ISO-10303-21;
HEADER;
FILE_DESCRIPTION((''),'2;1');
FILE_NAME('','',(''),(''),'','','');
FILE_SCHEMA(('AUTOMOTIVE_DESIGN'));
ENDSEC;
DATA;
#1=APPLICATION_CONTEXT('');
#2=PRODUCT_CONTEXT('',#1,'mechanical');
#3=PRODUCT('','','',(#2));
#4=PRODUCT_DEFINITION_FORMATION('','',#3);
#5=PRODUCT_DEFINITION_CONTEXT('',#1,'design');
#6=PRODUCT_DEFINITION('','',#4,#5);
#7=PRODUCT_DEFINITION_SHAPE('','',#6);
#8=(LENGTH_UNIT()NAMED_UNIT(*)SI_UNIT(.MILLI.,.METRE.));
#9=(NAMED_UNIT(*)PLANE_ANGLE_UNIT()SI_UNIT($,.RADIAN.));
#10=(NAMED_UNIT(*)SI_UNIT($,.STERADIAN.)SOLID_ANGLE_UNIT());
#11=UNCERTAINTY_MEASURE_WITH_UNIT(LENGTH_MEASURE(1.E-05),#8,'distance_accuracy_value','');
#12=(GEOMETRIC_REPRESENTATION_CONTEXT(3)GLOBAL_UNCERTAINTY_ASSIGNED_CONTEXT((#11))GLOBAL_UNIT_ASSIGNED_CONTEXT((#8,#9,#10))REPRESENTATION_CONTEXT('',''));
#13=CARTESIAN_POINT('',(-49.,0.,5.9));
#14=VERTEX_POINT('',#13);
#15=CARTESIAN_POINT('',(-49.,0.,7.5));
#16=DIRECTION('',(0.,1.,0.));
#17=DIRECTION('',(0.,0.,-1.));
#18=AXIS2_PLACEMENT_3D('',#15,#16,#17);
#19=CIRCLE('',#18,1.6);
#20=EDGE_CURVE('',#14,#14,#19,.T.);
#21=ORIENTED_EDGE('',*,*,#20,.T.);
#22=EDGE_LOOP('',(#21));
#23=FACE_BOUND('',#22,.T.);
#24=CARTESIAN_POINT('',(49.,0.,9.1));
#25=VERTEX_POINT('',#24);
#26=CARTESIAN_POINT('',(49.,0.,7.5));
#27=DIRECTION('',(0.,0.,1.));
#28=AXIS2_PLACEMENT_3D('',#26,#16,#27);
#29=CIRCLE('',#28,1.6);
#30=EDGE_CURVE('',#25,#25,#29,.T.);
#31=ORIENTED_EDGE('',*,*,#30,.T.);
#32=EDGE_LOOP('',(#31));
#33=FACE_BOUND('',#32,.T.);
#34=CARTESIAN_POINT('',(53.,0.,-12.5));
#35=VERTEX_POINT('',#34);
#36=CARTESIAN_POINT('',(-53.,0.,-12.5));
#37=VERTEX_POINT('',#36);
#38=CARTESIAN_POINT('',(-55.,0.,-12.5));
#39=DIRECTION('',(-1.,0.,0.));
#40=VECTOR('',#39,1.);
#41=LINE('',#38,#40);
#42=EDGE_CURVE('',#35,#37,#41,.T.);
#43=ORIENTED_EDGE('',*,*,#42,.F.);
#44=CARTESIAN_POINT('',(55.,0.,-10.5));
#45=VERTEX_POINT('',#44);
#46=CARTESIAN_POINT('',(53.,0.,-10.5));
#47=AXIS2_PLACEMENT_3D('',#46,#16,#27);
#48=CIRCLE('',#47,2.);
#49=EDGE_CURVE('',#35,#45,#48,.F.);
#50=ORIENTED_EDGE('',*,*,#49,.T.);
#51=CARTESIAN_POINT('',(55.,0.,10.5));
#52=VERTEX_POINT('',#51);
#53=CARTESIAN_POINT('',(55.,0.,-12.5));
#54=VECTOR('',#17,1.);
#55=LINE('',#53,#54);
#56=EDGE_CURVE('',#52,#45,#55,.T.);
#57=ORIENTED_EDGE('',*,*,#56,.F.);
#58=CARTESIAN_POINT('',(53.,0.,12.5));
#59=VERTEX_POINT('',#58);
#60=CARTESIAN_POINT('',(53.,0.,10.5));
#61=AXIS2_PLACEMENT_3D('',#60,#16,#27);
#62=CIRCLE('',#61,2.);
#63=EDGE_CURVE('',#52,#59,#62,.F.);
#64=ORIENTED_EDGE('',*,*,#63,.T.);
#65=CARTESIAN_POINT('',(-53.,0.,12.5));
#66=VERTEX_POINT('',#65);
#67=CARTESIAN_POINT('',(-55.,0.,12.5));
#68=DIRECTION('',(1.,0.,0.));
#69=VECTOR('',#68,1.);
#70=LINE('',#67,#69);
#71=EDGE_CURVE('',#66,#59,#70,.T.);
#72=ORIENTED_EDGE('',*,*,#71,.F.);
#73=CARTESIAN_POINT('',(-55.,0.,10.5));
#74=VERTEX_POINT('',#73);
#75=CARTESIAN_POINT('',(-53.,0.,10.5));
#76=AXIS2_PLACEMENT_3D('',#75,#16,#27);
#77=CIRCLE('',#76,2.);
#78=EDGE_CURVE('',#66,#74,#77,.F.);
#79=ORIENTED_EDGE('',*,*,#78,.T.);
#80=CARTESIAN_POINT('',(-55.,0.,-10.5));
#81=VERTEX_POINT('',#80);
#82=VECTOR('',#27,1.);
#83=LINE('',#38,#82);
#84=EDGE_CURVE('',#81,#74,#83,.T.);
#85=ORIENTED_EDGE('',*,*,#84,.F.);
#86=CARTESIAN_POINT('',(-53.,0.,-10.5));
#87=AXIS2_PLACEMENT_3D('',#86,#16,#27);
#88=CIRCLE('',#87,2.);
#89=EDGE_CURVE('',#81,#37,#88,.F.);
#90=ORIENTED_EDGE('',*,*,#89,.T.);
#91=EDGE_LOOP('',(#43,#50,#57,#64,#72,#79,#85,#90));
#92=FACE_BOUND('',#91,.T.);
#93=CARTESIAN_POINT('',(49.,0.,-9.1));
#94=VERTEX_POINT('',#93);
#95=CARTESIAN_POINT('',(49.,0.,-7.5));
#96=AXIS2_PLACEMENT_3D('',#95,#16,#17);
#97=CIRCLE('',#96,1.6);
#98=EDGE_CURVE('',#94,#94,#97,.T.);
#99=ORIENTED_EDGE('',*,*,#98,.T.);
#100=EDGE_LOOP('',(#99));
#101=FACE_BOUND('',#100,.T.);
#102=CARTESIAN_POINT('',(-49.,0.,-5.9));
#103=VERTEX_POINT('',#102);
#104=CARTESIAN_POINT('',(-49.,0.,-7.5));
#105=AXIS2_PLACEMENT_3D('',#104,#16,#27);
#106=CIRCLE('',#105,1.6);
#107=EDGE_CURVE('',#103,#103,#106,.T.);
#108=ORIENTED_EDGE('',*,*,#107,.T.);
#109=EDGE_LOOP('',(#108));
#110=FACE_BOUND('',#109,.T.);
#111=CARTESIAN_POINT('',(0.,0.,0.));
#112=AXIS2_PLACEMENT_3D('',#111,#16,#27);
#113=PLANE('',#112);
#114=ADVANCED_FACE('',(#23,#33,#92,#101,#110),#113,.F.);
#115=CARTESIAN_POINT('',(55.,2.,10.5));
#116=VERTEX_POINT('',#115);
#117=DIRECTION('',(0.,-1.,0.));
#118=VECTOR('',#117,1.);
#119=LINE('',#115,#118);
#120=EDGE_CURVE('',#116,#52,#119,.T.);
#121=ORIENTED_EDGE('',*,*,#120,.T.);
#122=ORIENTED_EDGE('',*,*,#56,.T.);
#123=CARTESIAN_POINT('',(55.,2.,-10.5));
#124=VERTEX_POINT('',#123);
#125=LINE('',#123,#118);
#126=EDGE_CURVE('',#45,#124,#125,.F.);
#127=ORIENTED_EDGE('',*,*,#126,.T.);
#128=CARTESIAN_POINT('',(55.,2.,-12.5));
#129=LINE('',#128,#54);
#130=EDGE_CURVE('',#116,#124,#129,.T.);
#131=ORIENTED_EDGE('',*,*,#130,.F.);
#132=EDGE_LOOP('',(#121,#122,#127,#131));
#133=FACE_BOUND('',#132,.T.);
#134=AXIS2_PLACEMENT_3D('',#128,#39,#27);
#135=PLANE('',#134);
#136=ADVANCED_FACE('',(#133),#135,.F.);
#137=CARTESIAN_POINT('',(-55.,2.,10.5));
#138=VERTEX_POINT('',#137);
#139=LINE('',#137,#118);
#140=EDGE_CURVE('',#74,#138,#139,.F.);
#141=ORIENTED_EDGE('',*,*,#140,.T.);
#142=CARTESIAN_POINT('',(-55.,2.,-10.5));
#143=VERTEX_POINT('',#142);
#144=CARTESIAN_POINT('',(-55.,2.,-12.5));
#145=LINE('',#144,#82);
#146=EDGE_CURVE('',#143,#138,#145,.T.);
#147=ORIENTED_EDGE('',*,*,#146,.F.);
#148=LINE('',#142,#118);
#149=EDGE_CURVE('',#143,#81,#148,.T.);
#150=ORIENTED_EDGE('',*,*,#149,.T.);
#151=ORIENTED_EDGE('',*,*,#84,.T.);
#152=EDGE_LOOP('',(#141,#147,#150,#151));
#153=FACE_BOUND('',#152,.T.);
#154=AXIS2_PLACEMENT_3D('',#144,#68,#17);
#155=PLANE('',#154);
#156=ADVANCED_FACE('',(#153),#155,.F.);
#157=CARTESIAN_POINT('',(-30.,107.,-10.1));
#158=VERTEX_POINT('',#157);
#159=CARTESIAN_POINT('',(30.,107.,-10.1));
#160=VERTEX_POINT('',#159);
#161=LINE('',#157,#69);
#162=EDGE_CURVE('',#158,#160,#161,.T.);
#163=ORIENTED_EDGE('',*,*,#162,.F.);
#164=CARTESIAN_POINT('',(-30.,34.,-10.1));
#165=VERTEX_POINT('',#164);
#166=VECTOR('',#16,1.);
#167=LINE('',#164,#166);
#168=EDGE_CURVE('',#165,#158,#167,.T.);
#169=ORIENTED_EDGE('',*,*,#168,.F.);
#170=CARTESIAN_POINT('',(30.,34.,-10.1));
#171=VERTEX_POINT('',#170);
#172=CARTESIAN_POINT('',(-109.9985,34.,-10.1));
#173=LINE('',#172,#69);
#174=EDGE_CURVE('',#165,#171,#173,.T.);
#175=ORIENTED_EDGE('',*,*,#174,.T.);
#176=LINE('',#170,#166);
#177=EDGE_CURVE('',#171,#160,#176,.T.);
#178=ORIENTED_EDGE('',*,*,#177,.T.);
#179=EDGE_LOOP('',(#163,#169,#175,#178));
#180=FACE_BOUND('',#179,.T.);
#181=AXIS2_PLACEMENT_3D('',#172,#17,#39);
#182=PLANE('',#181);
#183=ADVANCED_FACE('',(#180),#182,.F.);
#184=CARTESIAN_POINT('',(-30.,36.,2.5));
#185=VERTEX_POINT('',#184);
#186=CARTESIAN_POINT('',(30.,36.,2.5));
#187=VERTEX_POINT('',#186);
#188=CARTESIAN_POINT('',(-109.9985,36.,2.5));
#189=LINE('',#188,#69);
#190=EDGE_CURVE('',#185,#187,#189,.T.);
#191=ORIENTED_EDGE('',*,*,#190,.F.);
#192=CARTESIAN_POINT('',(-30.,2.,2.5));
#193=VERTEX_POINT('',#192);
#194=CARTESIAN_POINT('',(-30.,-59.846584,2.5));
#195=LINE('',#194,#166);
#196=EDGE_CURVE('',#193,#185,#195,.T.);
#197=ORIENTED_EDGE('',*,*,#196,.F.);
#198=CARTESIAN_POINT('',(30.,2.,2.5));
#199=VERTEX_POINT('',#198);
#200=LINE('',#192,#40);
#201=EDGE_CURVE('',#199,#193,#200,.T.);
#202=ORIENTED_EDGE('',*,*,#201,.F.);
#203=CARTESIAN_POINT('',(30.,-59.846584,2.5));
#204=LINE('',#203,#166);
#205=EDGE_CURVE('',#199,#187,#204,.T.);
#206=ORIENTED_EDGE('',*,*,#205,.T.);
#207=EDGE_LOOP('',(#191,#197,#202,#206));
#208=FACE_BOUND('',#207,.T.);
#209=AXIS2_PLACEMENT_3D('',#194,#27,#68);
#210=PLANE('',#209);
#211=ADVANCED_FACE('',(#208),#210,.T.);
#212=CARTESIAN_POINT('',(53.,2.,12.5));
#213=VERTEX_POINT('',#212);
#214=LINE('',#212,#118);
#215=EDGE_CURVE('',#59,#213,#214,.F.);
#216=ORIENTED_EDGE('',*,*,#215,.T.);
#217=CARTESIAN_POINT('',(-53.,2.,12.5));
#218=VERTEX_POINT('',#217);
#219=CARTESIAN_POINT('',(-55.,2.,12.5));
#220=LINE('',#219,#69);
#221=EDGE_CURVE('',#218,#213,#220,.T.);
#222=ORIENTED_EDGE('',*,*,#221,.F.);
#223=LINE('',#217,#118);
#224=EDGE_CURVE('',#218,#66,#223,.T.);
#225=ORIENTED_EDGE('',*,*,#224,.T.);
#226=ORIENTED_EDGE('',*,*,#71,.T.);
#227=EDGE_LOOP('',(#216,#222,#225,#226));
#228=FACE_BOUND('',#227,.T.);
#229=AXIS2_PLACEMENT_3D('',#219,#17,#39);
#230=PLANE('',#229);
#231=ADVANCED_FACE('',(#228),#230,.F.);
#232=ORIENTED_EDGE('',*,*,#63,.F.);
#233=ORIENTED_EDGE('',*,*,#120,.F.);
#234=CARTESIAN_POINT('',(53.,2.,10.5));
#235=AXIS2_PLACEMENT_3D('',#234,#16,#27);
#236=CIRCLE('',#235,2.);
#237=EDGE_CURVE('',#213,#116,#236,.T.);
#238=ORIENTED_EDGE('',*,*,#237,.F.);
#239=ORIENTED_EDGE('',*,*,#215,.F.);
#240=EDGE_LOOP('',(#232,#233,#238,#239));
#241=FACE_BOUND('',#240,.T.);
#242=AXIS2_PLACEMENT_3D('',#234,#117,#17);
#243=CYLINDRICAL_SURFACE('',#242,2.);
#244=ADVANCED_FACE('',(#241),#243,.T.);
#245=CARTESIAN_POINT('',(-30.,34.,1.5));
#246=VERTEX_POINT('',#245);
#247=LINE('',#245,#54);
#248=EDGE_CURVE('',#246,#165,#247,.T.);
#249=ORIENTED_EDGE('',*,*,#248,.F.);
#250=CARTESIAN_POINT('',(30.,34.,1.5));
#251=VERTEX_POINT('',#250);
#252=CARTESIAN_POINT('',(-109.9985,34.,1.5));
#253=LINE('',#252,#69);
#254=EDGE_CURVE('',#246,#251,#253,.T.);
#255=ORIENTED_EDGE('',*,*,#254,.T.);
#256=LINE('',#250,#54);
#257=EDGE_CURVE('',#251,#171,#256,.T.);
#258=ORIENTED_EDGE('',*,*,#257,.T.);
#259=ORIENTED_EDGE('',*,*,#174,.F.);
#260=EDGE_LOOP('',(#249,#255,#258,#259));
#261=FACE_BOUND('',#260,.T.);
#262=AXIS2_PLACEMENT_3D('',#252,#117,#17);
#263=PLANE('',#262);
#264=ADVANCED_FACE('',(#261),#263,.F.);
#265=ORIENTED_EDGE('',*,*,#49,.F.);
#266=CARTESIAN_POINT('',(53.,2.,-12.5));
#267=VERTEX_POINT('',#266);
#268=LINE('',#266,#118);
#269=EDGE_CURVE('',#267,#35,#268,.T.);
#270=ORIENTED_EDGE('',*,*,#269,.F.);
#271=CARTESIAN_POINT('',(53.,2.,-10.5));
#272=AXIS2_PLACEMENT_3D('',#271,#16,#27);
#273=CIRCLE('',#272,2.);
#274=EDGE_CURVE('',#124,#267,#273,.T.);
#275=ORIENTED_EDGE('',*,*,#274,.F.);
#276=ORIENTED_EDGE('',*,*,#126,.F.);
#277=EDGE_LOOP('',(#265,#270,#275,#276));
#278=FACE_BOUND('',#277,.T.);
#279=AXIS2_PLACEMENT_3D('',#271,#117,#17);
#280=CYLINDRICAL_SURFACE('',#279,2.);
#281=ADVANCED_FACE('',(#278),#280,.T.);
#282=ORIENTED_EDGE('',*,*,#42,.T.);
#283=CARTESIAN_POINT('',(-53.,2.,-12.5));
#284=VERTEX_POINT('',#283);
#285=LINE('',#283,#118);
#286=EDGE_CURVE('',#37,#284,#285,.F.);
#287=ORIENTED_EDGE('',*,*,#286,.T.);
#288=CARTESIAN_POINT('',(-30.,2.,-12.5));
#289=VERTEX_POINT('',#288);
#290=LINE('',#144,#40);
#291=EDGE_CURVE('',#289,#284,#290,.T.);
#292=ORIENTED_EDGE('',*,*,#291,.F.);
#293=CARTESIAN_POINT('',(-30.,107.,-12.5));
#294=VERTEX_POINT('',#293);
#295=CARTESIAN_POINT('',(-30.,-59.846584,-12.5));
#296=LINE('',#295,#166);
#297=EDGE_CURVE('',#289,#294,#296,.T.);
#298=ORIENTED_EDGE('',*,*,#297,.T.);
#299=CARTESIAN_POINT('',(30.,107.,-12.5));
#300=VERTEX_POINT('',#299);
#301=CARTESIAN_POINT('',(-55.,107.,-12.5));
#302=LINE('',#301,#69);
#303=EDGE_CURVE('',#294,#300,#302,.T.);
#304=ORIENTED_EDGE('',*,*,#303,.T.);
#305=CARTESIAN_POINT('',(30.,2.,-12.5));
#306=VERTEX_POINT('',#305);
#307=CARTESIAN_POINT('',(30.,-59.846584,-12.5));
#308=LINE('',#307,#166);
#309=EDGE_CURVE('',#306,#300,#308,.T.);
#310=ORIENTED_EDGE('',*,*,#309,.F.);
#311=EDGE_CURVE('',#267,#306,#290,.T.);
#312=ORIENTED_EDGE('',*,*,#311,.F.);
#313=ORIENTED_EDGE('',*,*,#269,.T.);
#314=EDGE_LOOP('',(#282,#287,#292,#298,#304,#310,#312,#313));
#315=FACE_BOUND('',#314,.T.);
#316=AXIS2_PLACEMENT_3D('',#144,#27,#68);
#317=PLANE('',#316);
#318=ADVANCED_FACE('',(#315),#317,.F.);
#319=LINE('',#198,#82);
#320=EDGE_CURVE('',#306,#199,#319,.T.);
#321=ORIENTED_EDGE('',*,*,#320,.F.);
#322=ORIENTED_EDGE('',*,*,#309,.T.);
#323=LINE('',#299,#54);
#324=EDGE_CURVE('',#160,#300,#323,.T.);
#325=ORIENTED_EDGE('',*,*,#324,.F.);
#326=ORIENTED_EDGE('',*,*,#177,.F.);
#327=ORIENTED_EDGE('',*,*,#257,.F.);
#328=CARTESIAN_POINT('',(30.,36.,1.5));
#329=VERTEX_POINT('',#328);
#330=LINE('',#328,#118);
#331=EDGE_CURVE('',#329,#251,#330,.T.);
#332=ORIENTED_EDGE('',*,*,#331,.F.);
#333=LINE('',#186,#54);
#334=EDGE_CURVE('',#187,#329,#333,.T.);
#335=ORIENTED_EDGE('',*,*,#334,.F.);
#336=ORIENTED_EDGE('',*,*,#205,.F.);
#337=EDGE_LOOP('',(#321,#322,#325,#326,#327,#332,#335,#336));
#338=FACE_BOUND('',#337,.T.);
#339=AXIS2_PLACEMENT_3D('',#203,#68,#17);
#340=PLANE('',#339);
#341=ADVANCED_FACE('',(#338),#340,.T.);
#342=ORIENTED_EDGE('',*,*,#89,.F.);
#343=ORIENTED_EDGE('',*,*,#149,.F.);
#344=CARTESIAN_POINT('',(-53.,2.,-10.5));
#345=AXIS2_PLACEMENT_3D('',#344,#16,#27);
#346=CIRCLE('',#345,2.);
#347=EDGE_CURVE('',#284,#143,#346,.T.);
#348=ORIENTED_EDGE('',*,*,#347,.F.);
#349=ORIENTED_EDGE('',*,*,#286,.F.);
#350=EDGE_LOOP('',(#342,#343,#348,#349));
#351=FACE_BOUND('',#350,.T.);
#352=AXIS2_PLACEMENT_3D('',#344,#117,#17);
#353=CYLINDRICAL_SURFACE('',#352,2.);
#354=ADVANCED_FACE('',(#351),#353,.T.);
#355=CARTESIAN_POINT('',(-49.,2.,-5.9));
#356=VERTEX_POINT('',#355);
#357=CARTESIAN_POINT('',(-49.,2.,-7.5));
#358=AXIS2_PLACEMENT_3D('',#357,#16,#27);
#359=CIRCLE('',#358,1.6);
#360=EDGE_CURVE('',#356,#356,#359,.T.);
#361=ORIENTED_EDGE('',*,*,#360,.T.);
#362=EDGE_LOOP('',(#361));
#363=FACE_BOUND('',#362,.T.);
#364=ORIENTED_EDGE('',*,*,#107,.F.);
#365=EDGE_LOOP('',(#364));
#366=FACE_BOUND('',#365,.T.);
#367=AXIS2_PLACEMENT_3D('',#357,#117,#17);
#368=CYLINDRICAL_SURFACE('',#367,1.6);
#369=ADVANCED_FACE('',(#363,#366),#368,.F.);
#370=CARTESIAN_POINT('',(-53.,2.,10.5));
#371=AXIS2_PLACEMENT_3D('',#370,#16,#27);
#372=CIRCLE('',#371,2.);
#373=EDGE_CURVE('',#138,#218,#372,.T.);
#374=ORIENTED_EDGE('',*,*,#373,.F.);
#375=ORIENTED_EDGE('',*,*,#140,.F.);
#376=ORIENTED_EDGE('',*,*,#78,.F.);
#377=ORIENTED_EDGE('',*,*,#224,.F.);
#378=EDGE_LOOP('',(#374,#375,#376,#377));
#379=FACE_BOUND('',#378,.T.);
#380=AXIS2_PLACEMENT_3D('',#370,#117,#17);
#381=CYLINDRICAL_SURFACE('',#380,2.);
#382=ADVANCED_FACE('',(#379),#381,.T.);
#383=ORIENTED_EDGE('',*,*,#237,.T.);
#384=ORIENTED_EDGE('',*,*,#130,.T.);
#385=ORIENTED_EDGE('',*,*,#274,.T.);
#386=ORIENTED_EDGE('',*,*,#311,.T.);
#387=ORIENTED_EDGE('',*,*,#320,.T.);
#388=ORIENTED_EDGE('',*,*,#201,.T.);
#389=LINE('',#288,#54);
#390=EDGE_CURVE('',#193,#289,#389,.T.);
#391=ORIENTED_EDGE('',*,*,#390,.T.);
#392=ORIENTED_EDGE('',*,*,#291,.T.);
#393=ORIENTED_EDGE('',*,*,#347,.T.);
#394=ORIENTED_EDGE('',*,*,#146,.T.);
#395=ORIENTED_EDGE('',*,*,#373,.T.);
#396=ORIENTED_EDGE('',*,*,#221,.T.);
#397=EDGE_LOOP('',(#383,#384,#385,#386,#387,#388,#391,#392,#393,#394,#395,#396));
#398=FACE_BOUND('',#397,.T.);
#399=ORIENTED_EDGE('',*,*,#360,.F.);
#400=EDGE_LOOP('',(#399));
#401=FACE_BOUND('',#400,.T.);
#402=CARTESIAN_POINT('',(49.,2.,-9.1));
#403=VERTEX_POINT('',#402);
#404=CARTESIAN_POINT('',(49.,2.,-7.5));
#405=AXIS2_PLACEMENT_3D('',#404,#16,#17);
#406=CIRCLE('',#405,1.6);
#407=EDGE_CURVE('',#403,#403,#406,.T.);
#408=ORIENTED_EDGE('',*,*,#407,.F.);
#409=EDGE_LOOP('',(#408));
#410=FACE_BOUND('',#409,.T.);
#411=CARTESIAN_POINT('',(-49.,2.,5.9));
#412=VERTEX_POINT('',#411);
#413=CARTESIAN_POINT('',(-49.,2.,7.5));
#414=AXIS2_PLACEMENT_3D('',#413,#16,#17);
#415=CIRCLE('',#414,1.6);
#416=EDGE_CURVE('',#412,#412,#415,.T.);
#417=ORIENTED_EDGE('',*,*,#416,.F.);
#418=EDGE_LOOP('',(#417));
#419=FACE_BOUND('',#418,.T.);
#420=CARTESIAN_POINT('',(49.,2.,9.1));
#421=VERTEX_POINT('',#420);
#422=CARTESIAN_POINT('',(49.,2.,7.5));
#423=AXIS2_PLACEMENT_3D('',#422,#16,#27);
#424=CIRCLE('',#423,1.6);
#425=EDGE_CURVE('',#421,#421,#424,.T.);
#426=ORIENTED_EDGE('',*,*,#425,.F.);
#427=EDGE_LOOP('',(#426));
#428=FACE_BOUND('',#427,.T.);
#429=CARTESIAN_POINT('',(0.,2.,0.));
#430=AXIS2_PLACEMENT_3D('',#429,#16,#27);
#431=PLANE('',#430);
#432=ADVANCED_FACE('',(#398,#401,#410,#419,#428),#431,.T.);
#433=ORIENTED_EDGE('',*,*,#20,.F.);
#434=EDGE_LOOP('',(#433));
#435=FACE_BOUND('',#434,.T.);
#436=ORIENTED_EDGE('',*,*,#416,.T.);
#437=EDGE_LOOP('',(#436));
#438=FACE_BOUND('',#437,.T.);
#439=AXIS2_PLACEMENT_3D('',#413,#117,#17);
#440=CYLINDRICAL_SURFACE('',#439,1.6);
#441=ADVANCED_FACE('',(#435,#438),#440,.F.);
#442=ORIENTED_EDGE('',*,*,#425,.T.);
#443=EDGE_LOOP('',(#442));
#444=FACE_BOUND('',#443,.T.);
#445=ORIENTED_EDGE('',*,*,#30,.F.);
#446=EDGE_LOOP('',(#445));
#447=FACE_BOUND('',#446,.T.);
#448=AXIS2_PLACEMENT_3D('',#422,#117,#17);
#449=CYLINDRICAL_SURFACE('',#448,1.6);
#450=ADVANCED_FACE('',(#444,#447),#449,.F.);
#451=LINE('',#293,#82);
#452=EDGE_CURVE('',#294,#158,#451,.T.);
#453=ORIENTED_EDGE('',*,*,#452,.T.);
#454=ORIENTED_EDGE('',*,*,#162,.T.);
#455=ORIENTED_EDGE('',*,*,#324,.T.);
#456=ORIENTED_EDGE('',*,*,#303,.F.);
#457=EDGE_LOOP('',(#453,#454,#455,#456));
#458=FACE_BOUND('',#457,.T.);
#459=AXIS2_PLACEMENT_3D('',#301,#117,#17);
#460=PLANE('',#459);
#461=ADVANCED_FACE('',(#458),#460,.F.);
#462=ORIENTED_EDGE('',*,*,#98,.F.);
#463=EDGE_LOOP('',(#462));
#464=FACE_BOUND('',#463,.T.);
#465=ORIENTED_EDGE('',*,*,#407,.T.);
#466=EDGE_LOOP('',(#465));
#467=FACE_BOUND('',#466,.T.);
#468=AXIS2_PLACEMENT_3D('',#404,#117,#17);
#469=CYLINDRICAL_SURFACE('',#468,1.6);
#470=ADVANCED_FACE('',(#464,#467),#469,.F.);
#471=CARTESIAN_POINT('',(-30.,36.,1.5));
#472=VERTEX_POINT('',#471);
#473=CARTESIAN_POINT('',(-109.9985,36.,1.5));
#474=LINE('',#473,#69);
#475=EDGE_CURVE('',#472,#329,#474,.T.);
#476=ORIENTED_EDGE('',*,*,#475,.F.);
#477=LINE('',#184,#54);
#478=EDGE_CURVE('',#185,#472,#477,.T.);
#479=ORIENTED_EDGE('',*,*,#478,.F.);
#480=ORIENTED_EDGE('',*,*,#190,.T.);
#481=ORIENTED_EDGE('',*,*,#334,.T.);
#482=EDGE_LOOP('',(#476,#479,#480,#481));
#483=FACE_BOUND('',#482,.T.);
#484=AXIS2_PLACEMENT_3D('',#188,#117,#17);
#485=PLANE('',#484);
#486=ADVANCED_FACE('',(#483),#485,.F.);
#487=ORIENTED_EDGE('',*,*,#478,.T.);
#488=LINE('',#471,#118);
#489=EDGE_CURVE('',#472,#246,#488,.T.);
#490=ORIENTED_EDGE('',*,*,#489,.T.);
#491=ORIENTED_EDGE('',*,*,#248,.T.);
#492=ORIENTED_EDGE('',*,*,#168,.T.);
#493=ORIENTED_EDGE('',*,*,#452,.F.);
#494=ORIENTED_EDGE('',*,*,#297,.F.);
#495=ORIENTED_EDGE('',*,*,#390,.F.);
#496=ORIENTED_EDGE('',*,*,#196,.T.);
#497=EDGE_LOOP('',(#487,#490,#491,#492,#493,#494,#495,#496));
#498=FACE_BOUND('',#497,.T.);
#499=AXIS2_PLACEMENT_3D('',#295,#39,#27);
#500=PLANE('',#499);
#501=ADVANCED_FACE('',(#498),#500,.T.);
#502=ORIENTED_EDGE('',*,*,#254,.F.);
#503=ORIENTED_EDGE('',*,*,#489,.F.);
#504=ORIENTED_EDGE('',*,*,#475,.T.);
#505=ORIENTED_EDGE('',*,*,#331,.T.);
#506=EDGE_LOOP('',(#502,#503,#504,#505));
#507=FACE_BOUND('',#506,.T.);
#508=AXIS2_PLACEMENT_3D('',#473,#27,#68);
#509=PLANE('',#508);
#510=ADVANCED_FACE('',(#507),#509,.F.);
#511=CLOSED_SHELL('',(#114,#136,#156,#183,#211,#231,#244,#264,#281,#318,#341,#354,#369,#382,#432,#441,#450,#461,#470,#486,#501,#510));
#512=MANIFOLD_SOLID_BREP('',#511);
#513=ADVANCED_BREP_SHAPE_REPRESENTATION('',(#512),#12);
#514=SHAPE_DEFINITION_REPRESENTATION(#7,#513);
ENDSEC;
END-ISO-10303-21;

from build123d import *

# Parameters (mm, degrees)
SKETCH_1_W          = 110
SKETCH_1_H          = 25
SKETCH_1_R          = 1.6
EXTRUDE_1_DEPTH     = 2
SKETCH_2_W          = 60
SKETCH_2_H          = 15
EXTRUDE_2_DEPTH     = 113
CUT_EXTRUDE_1_DEPTH = 60
FILLET_1_R          = 2
FILLET_2_R          = 2
FILLET_3_R          = 2
FILLET_4_R          = 2
CUT_EXTRUDE_3_DEPTH = 144.5487722
SKETCH_8_W          = 60
SKETCH_8_H          = 6
CUT_EXTRUDE_4_DEPTH = 128.690093586


with BuildPart() as part:
    # 草图1 → 凸台-拉伸1 (new body)
    with BuildSketch(Plane(origin=(0, 0, 0), x_dir=(1, 0, 0), z_dir=(0, 1, 0))):
        Rectangle(SKETCH_1_W, SKETCH_1_H)
        with Locations(Location((-49, 7.5, 0), (0, 0, 270))):
            Circle(SKETCH_1_R, mode=Mode.SUBTRACT)
        with Locations(Location((49, 7.5, 0), (0, 0, 90))):
            Circle(SKETCH_1_R, mode=Mode.SUBTRACT)
        with Locations(Location((49, -7.5, 0), (0, 0, 270))):
            Circle(SKETCH_1_R, mode=Mode.SUBTRACT)
        with Locations(Location((-49, -7.5, 0), (0, 0, 90))):
            Circle(SKETCH_1_R, mode=Mode.SUBTRACT)
    extrude(amount=EXTRUDE_1_DEPTH)

    # 草图2 → 凸台-拉伸2 (add)
    with BuildSketch(Plane(origin=(0, 115, 0), x_dir=(1, 0, 0), z_dir=(0, 1, 0))):
        with Locations((0, 5)):
            Rectangle(SKETCH_2_W, SKETCH_2_H)
    extrude(amount=-EXTRUDE_2_DEPTH)

    # 草图3 → 切除-拉伸1 (cut)
    with BuildSketch(Plane(origin=(30, 0, 0), x_dir=(0, 0, -1), z_dir=(1, 0, 0))):
        Polygon((-2.5, 36), (-1.5, 36), (-1.5, 34), (10.1, 34), (10.1, 113), (-1.5, 113), (-1.5, 111), (-2.5, 111), align=None)
    extrude(amount=-CUT_EXTRUDE_1_DEPTH, mode=Mode.SUBTRACT)

    # 圆角1
    fillet_1_edges = [part.edges().sort_by_distance(p)[0] for p in [
        (55, 1, 12.5),
    ]]
    fillet(fillet_1_edges, radius=FILLET_1_R)

    # 圆角2
    fillet_2_edges = [part.edges().sort_by_distance(p)[0] for p in [
        (55, 1, -12.5),
    ]]
    fillet(fillet_2_edges, radius=FILLET_2_R)

    # 圆角3
    fillet_3_edges = [part.edges().sort_by_distance(p)[0] for p in [
        (-55, 1, -12.5),
    ]]
    fillet(fillet_3_edges, radius=FILLET_3_R)

    # 圆角4
    fillet_4_edges = [part.edges().sort_by_distance(p)[0] for p in [
        (-55, 1, 12.5),
    ]]
    fillet(fillet_4_edges, radius=FILLET_4_R)

    # 草图7 → 切除-拉伸3 (cut, through all)
    with BuildSketch(Plane(origin=(30, 0, 0), x_dir=(0, 0, -1), z_dir=(1, 0, 0))):
        Polygon((10.125373214, 107), (10.1, 113), (-1.5, 113), (-1.5, 110), (-2.572411073, 110), (-2.572411073, 115), (12.5, 115), (12.5, 107), align=None)
    extrude(amount=-CUT_EXTRUDE_3_DEPTH, mode=Mode.SUBTRACT)

    # 草图8 → 切除-拉伸4 (cut, through all)
    with BuildSketch(Plane.XY.offset(-10.1)):
        with Locations((0, 110)):
            Rectangle(SKETCH_8_W, SKETCH_8_H)
    extrude(amount=-CUT_EXTRUDE_4_DEPTH, mode=Mode.SUBTRACT)


solid = part.part
